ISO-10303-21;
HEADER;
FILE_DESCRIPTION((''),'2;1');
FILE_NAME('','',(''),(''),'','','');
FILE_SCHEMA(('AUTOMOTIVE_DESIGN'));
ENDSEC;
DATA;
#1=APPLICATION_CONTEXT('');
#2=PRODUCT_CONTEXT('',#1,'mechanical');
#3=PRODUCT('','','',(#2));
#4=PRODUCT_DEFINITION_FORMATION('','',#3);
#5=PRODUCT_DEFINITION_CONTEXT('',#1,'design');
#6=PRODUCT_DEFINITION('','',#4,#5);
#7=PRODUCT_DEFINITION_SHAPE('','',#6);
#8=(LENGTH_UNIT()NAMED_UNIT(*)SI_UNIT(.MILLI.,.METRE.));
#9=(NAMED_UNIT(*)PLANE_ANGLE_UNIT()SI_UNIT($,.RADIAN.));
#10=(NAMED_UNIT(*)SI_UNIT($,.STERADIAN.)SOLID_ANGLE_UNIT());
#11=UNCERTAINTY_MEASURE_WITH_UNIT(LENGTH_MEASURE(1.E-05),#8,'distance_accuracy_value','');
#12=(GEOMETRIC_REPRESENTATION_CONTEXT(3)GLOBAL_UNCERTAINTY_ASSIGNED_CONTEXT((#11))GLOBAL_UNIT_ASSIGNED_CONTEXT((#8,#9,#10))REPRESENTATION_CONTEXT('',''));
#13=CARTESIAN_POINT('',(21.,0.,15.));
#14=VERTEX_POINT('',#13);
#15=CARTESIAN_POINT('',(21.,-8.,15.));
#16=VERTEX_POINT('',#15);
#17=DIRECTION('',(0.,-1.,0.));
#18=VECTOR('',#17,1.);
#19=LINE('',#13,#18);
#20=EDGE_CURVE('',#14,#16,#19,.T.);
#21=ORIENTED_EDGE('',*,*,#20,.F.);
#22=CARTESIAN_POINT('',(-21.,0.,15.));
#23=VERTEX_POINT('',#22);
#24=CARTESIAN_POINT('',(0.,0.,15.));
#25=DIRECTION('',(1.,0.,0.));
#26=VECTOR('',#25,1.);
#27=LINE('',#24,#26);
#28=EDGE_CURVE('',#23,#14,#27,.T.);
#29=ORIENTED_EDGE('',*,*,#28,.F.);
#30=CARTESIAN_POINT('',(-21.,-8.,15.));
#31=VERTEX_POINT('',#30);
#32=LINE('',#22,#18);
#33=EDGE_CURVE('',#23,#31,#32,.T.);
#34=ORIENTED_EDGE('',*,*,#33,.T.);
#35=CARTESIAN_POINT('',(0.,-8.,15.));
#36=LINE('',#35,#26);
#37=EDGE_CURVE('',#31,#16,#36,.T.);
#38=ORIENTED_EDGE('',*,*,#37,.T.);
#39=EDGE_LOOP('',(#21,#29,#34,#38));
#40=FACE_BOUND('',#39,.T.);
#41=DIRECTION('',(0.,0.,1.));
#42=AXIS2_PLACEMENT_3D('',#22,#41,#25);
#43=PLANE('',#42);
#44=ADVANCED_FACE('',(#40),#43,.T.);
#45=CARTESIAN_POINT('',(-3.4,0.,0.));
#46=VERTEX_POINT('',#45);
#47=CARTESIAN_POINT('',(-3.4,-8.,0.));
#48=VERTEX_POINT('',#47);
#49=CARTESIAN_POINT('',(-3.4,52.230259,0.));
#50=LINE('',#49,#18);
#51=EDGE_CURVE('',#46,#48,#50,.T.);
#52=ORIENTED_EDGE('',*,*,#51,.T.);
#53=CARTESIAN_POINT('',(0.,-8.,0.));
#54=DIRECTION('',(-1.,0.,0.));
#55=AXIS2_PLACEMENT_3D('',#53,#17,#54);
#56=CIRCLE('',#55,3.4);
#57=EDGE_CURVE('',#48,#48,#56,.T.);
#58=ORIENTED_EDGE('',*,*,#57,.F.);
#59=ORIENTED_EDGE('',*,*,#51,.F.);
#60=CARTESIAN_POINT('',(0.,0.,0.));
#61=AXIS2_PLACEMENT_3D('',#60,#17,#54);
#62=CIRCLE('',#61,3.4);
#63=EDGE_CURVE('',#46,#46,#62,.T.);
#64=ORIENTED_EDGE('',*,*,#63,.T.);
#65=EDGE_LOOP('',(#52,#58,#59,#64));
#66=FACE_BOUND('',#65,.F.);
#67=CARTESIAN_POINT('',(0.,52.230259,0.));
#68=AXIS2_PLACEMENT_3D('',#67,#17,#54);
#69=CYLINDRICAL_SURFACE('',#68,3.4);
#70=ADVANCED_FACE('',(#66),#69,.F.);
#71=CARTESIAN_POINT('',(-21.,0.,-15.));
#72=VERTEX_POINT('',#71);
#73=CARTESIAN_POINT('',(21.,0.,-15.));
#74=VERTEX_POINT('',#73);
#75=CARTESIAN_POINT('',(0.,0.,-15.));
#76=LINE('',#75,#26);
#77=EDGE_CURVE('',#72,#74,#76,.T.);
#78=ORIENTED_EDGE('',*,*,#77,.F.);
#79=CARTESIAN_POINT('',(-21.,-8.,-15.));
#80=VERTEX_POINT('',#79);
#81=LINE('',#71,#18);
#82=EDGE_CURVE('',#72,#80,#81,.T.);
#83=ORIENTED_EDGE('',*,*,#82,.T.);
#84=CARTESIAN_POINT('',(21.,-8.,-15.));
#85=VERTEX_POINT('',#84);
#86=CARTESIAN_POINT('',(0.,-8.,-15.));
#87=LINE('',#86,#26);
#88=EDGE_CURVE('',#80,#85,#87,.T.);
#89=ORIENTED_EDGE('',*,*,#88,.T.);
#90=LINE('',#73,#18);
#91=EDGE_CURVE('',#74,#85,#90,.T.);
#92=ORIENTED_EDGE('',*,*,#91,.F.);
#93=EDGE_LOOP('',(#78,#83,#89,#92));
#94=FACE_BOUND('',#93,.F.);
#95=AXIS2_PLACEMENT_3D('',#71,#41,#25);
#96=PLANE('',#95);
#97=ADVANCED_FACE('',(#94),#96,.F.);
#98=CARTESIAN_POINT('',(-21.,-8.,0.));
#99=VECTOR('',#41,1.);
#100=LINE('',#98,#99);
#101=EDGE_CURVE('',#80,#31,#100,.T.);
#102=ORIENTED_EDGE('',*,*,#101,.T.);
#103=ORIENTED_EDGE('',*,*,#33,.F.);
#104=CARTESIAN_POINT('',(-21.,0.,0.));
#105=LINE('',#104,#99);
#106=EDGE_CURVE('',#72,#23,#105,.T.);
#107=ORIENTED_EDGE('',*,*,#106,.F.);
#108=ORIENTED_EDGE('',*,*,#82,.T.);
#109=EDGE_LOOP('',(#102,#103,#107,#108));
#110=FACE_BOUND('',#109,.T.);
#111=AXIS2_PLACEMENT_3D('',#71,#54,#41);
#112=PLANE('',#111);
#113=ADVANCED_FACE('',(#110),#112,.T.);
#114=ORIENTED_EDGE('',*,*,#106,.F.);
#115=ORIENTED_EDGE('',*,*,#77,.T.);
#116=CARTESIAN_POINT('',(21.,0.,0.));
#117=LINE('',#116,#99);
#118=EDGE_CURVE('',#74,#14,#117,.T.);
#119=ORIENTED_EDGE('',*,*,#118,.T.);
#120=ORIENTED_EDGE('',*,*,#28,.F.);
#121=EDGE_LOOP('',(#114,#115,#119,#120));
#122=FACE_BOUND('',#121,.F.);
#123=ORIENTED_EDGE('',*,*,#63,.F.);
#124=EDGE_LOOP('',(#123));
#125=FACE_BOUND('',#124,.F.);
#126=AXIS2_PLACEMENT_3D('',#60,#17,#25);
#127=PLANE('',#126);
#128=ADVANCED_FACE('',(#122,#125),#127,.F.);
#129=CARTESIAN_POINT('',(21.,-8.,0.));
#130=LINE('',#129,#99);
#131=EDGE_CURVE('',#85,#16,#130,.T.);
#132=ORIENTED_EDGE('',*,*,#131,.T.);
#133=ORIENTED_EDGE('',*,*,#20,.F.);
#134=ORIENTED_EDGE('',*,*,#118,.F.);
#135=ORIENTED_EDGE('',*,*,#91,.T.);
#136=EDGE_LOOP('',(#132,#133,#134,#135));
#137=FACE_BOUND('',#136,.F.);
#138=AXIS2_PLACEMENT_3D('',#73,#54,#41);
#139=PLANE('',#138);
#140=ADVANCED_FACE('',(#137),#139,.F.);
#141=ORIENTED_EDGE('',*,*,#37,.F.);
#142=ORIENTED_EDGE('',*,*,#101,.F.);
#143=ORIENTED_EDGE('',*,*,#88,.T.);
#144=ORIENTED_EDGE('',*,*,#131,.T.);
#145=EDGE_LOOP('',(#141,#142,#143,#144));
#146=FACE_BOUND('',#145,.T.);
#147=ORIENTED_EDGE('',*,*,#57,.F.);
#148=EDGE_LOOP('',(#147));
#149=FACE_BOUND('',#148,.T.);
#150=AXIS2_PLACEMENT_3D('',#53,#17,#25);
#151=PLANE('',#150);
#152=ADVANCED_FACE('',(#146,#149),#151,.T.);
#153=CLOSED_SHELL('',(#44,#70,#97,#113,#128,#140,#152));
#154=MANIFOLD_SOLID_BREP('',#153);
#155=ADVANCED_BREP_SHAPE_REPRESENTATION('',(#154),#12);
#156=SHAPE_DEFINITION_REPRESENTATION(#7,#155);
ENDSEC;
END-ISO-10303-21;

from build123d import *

# Parameters (mm, degrees)
F0_W     = 42
F0_H     = 30
F1_DEPTH = 8
F2_D     = 6.8


with BuildPart() as f1:
    # F0 (on Front) → F1 (new body)
    with BuildSketch(Plane.XZ):
        Rectangle(F0_W, F0_H)
    extrude(amount=F1_DEPTH)

    # F2 (through all)
    with Locations(Plane(origin=(0, 0, 0), x_dir=(1, 0, 0), z_dir=(0, 1, 0))):
        with Locations((0, 0)):
            Hole(F2_D / 2)


solid = f1.part
